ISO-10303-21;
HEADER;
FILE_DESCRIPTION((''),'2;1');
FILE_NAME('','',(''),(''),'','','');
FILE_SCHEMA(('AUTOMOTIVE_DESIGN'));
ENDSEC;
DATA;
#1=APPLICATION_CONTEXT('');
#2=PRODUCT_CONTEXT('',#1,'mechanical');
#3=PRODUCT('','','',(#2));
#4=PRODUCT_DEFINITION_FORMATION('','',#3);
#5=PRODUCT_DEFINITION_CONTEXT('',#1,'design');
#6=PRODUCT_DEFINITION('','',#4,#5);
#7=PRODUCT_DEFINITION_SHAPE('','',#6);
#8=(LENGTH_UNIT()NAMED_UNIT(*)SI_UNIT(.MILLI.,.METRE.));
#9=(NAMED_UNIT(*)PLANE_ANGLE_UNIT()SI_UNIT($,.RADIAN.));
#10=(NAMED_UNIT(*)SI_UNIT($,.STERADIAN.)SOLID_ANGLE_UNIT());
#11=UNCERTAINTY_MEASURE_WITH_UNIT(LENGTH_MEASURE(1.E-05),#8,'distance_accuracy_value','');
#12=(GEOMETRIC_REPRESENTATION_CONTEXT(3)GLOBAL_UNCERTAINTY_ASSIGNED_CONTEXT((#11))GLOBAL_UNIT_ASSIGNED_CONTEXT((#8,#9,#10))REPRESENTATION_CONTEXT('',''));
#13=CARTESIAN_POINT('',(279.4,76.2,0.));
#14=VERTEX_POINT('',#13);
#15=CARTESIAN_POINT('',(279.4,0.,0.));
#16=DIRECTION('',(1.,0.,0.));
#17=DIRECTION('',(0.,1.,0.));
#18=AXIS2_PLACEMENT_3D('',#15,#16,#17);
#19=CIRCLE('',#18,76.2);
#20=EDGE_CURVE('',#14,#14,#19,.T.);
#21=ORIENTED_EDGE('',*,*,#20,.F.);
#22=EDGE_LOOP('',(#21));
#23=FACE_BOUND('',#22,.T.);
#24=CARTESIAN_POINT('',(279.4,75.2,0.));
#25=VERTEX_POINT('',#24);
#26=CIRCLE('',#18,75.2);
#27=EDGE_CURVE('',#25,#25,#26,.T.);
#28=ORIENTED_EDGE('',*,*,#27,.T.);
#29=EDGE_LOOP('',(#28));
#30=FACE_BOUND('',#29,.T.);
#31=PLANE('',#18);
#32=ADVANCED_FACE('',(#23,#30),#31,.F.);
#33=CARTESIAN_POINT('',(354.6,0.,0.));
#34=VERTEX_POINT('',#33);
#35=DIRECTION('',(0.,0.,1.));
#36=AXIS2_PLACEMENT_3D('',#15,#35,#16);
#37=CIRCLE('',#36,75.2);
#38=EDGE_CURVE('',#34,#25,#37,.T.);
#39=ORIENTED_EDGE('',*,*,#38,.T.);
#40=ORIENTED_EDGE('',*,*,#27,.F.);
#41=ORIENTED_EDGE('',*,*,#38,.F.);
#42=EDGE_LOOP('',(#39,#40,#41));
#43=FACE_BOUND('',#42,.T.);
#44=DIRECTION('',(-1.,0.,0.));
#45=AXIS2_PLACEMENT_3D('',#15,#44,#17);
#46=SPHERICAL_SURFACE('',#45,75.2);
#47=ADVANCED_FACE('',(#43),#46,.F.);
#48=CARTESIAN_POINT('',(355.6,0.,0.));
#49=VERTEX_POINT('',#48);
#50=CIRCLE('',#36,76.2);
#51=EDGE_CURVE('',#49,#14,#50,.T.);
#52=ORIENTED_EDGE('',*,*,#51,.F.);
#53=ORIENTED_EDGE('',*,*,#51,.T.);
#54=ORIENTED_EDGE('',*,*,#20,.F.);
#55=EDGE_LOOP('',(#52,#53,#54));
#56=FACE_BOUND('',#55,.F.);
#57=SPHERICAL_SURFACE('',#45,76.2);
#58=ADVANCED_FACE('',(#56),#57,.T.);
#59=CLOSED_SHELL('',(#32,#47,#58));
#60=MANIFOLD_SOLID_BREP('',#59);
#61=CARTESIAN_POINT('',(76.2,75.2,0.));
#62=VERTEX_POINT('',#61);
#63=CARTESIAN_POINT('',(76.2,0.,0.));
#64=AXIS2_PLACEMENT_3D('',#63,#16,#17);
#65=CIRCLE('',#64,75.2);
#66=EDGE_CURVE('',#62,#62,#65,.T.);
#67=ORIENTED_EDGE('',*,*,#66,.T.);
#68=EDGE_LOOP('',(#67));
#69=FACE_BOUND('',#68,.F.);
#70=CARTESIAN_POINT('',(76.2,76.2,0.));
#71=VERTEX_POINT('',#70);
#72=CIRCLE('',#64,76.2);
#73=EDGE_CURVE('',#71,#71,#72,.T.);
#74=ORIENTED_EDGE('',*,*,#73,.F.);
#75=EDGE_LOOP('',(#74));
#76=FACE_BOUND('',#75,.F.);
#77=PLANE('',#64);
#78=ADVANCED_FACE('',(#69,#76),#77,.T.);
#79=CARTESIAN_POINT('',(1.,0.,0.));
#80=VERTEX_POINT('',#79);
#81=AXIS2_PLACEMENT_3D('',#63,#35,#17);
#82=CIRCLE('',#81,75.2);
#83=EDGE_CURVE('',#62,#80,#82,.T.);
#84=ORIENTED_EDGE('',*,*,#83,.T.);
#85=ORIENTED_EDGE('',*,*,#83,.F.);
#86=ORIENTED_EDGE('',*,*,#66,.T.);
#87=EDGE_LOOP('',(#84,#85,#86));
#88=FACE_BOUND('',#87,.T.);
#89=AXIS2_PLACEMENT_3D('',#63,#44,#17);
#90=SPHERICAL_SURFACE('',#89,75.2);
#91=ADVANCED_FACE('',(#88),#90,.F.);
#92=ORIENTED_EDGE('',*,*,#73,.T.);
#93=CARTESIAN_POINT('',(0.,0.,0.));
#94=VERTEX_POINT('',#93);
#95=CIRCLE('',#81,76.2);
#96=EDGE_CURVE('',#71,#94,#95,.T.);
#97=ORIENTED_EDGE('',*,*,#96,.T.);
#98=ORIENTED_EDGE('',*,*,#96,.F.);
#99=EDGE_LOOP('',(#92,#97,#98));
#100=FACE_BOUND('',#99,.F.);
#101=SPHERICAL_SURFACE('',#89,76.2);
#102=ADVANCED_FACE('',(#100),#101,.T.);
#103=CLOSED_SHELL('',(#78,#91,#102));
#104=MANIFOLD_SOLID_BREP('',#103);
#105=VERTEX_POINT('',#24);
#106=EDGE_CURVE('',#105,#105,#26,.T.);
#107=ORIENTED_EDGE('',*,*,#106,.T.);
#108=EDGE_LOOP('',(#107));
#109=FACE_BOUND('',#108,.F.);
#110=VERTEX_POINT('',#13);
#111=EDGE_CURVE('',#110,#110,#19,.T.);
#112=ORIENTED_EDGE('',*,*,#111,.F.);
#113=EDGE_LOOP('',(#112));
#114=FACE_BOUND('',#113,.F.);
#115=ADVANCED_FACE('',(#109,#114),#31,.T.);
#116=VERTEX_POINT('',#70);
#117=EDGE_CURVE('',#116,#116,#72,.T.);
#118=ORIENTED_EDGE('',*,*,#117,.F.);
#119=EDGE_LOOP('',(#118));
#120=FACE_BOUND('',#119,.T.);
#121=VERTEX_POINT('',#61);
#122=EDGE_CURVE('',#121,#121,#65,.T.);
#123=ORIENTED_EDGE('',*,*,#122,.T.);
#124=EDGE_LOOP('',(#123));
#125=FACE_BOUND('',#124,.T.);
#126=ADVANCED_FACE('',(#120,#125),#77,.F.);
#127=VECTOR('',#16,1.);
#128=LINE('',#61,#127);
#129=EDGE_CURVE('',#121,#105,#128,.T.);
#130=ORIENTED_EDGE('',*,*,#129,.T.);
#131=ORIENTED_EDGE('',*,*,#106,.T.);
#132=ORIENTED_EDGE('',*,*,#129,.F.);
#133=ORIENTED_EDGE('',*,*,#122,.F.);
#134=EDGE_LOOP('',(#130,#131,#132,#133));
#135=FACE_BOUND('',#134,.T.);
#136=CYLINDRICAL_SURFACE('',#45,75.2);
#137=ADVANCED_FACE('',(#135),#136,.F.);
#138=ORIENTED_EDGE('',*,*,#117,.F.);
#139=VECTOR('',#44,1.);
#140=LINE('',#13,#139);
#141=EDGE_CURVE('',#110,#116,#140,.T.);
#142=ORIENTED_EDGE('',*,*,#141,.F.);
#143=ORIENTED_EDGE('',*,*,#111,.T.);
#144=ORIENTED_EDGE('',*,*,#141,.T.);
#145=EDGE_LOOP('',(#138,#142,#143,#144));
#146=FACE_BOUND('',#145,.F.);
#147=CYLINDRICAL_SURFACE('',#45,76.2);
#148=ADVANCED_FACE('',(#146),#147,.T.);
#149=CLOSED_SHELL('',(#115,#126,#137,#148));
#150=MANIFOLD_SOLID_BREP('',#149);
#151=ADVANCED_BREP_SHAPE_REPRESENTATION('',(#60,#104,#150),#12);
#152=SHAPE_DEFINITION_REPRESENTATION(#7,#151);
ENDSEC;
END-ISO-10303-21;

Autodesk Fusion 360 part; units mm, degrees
sketch "Sketch1" plane through (0, 0, 0) normal (0, 0, 1) x (1, 0, 0)
sketch "Sketch2" plane through (0, 0, 0) normal (0, 0, 1) x (1, 0, 0)
  line L0 (0, 0) -> (355.6, 0)
  line L1 (279.4, 76.2) -> (76.2, 76.2)
  arc A0 (76.2, 76.2) -> (0, 0) centre (76.2, 0) ccw
  line L2 (177.8, 76.2) -> (177.8, 0)
  arc A1 (355.6, 0) -> (279.4, 76.2) centre (279.4, 0) ccw
  arc A2 (354.6, 0) -> (279.4, 75.2) centre (279.4, 0) ccw
  line L3 (279.4, 75.2) -> (76.2, 75.2)
  arc A3 (76.2, 75.2) -> (1, 0) centre (76.2, 0) ccw
  line L4 (76.2, 0) -> (76.2, 76.2)
  line L5 (279.4, 0) -> (279.4, 76.2)
  dimension "d1" = 355.6
  dimension "d4" = 76.2
  dimension "d5" = -1
revolve "Revolve1" add sketch "Sketch2" angle 360 about axis through (0, 0, 0) along (1, 0, 0) contours L0 A0 A3 L4 makes body 1
revolve "Revolve2" add sketch "Sketch2" angle 360 about axis through (0, 0, 0) along (1, 0, 0) separate body contours L0 A3 L4 | L0 L2 L3 L4 | L0 L2 L3 L5 | L0 A2 L5 makes body 2
revolve "Revolve3" add sketch "Sketch2" angle 360 about axis through (0, 0, 0) along (1, 0, 0) separate body contours L0 A1 A2 L5 makes body 3
revolve "Revolve4" add sketch "Sketch2" angle 360 about axis through (0, 0, 0) along (1, 0, 0) separate body contours L1 L2 L3 L4 | L1 L2 L3 L5 makes body 4
copy_body "Body->Comp1" bodies 1 removing the originals makes body 5 in component "Component"
copy_body "Body->Comp2" bodies 3 removing the originals makes body 6 in component "Component'"
copy_body "Body->Comp3" bodies 4 removing the originals makes body 7 in component "Component''"
component "Component" placed x (1, 0, 0) y (0, 1, 0) z (0, 0, 1) at (0, 0, 0)
component "Component'" placed x (1, 0, 0) y (0, 1, 0) z (0, 0, 1) at (0, 0, 0)
component "Component''" placed x (1, 0, 0) y (0, 1, 0) z (0, 0, 1) at (0, 0, 0)
hidden bodies 2
